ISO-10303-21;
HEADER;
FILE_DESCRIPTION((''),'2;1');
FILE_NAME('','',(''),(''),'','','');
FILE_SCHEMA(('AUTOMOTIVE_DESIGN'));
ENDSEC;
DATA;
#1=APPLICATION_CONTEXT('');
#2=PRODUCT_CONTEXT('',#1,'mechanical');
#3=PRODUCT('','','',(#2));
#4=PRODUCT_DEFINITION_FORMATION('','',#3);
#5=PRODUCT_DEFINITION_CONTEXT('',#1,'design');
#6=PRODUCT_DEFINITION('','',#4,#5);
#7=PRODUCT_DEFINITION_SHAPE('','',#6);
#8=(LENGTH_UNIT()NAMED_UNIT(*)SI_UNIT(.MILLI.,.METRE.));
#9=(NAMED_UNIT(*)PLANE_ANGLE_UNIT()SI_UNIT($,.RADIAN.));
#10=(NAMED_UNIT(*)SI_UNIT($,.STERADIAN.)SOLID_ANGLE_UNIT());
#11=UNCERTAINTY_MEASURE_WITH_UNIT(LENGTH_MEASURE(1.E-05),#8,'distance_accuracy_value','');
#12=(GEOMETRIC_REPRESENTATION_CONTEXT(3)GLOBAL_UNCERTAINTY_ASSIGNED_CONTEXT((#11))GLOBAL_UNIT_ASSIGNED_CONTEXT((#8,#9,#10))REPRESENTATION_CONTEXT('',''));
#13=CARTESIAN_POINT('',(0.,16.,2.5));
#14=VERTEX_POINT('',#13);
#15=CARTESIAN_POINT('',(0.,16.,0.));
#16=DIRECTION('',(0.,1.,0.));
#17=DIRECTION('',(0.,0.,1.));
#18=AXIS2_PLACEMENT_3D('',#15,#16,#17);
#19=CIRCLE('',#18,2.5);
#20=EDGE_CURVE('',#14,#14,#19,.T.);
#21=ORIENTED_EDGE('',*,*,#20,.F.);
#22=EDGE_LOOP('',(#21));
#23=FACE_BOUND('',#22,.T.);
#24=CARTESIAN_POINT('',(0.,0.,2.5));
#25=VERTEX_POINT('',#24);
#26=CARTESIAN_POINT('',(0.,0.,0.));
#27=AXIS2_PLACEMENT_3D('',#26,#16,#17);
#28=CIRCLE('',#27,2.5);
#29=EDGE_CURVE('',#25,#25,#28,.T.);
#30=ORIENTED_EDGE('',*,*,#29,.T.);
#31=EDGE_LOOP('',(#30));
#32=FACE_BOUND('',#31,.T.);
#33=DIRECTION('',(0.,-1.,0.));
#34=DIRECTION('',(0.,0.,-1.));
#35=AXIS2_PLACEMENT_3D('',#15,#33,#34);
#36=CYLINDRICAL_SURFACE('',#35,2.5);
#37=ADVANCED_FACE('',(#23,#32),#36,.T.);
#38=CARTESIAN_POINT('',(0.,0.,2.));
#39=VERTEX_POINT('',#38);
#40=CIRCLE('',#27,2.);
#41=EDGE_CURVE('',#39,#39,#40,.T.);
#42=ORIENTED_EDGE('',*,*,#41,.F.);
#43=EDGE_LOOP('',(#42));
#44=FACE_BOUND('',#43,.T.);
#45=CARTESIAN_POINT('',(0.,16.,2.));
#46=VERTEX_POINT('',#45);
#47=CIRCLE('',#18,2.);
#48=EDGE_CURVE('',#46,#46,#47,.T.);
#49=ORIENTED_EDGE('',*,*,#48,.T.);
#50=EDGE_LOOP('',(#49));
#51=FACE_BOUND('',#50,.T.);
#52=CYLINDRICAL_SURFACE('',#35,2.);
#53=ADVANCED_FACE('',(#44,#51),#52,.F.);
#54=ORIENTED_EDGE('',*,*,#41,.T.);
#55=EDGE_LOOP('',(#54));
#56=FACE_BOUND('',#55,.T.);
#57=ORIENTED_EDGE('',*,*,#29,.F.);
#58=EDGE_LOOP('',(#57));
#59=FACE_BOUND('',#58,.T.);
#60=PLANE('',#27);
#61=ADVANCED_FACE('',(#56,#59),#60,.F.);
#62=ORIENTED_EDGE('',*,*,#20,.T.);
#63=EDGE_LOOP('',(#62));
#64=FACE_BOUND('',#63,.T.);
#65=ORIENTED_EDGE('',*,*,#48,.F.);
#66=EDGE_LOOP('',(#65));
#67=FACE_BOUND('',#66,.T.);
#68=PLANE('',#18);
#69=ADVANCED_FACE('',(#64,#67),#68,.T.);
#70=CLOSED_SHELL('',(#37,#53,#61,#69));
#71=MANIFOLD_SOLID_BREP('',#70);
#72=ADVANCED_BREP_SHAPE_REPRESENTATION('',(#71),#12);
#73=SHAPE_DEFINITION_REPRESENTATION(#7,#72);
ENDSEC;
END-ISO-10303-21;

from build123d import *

# Parameters (mm, degrees)
SKETCH1_R           = 2.5
SKETCH1_R_2         = 2
BOSS_EXTRUDE1_DEPTH = 16


with BuildPart() as part:
    # Sketch1 → Boss-Extrude1 (new body)
    with BuildSketch(Plane(origin=(0, 0, 0), x_dir=(1, 0, 0), z_dir=(0, 1, 0))):
        Circle(SKETCH1_R)
        Circle(SKETCH1_R_2, mode=Mode.SUBTRACT)
    extrude(amount=BOSS_EXTRUDE1_DEPTH)


solid = part.part
